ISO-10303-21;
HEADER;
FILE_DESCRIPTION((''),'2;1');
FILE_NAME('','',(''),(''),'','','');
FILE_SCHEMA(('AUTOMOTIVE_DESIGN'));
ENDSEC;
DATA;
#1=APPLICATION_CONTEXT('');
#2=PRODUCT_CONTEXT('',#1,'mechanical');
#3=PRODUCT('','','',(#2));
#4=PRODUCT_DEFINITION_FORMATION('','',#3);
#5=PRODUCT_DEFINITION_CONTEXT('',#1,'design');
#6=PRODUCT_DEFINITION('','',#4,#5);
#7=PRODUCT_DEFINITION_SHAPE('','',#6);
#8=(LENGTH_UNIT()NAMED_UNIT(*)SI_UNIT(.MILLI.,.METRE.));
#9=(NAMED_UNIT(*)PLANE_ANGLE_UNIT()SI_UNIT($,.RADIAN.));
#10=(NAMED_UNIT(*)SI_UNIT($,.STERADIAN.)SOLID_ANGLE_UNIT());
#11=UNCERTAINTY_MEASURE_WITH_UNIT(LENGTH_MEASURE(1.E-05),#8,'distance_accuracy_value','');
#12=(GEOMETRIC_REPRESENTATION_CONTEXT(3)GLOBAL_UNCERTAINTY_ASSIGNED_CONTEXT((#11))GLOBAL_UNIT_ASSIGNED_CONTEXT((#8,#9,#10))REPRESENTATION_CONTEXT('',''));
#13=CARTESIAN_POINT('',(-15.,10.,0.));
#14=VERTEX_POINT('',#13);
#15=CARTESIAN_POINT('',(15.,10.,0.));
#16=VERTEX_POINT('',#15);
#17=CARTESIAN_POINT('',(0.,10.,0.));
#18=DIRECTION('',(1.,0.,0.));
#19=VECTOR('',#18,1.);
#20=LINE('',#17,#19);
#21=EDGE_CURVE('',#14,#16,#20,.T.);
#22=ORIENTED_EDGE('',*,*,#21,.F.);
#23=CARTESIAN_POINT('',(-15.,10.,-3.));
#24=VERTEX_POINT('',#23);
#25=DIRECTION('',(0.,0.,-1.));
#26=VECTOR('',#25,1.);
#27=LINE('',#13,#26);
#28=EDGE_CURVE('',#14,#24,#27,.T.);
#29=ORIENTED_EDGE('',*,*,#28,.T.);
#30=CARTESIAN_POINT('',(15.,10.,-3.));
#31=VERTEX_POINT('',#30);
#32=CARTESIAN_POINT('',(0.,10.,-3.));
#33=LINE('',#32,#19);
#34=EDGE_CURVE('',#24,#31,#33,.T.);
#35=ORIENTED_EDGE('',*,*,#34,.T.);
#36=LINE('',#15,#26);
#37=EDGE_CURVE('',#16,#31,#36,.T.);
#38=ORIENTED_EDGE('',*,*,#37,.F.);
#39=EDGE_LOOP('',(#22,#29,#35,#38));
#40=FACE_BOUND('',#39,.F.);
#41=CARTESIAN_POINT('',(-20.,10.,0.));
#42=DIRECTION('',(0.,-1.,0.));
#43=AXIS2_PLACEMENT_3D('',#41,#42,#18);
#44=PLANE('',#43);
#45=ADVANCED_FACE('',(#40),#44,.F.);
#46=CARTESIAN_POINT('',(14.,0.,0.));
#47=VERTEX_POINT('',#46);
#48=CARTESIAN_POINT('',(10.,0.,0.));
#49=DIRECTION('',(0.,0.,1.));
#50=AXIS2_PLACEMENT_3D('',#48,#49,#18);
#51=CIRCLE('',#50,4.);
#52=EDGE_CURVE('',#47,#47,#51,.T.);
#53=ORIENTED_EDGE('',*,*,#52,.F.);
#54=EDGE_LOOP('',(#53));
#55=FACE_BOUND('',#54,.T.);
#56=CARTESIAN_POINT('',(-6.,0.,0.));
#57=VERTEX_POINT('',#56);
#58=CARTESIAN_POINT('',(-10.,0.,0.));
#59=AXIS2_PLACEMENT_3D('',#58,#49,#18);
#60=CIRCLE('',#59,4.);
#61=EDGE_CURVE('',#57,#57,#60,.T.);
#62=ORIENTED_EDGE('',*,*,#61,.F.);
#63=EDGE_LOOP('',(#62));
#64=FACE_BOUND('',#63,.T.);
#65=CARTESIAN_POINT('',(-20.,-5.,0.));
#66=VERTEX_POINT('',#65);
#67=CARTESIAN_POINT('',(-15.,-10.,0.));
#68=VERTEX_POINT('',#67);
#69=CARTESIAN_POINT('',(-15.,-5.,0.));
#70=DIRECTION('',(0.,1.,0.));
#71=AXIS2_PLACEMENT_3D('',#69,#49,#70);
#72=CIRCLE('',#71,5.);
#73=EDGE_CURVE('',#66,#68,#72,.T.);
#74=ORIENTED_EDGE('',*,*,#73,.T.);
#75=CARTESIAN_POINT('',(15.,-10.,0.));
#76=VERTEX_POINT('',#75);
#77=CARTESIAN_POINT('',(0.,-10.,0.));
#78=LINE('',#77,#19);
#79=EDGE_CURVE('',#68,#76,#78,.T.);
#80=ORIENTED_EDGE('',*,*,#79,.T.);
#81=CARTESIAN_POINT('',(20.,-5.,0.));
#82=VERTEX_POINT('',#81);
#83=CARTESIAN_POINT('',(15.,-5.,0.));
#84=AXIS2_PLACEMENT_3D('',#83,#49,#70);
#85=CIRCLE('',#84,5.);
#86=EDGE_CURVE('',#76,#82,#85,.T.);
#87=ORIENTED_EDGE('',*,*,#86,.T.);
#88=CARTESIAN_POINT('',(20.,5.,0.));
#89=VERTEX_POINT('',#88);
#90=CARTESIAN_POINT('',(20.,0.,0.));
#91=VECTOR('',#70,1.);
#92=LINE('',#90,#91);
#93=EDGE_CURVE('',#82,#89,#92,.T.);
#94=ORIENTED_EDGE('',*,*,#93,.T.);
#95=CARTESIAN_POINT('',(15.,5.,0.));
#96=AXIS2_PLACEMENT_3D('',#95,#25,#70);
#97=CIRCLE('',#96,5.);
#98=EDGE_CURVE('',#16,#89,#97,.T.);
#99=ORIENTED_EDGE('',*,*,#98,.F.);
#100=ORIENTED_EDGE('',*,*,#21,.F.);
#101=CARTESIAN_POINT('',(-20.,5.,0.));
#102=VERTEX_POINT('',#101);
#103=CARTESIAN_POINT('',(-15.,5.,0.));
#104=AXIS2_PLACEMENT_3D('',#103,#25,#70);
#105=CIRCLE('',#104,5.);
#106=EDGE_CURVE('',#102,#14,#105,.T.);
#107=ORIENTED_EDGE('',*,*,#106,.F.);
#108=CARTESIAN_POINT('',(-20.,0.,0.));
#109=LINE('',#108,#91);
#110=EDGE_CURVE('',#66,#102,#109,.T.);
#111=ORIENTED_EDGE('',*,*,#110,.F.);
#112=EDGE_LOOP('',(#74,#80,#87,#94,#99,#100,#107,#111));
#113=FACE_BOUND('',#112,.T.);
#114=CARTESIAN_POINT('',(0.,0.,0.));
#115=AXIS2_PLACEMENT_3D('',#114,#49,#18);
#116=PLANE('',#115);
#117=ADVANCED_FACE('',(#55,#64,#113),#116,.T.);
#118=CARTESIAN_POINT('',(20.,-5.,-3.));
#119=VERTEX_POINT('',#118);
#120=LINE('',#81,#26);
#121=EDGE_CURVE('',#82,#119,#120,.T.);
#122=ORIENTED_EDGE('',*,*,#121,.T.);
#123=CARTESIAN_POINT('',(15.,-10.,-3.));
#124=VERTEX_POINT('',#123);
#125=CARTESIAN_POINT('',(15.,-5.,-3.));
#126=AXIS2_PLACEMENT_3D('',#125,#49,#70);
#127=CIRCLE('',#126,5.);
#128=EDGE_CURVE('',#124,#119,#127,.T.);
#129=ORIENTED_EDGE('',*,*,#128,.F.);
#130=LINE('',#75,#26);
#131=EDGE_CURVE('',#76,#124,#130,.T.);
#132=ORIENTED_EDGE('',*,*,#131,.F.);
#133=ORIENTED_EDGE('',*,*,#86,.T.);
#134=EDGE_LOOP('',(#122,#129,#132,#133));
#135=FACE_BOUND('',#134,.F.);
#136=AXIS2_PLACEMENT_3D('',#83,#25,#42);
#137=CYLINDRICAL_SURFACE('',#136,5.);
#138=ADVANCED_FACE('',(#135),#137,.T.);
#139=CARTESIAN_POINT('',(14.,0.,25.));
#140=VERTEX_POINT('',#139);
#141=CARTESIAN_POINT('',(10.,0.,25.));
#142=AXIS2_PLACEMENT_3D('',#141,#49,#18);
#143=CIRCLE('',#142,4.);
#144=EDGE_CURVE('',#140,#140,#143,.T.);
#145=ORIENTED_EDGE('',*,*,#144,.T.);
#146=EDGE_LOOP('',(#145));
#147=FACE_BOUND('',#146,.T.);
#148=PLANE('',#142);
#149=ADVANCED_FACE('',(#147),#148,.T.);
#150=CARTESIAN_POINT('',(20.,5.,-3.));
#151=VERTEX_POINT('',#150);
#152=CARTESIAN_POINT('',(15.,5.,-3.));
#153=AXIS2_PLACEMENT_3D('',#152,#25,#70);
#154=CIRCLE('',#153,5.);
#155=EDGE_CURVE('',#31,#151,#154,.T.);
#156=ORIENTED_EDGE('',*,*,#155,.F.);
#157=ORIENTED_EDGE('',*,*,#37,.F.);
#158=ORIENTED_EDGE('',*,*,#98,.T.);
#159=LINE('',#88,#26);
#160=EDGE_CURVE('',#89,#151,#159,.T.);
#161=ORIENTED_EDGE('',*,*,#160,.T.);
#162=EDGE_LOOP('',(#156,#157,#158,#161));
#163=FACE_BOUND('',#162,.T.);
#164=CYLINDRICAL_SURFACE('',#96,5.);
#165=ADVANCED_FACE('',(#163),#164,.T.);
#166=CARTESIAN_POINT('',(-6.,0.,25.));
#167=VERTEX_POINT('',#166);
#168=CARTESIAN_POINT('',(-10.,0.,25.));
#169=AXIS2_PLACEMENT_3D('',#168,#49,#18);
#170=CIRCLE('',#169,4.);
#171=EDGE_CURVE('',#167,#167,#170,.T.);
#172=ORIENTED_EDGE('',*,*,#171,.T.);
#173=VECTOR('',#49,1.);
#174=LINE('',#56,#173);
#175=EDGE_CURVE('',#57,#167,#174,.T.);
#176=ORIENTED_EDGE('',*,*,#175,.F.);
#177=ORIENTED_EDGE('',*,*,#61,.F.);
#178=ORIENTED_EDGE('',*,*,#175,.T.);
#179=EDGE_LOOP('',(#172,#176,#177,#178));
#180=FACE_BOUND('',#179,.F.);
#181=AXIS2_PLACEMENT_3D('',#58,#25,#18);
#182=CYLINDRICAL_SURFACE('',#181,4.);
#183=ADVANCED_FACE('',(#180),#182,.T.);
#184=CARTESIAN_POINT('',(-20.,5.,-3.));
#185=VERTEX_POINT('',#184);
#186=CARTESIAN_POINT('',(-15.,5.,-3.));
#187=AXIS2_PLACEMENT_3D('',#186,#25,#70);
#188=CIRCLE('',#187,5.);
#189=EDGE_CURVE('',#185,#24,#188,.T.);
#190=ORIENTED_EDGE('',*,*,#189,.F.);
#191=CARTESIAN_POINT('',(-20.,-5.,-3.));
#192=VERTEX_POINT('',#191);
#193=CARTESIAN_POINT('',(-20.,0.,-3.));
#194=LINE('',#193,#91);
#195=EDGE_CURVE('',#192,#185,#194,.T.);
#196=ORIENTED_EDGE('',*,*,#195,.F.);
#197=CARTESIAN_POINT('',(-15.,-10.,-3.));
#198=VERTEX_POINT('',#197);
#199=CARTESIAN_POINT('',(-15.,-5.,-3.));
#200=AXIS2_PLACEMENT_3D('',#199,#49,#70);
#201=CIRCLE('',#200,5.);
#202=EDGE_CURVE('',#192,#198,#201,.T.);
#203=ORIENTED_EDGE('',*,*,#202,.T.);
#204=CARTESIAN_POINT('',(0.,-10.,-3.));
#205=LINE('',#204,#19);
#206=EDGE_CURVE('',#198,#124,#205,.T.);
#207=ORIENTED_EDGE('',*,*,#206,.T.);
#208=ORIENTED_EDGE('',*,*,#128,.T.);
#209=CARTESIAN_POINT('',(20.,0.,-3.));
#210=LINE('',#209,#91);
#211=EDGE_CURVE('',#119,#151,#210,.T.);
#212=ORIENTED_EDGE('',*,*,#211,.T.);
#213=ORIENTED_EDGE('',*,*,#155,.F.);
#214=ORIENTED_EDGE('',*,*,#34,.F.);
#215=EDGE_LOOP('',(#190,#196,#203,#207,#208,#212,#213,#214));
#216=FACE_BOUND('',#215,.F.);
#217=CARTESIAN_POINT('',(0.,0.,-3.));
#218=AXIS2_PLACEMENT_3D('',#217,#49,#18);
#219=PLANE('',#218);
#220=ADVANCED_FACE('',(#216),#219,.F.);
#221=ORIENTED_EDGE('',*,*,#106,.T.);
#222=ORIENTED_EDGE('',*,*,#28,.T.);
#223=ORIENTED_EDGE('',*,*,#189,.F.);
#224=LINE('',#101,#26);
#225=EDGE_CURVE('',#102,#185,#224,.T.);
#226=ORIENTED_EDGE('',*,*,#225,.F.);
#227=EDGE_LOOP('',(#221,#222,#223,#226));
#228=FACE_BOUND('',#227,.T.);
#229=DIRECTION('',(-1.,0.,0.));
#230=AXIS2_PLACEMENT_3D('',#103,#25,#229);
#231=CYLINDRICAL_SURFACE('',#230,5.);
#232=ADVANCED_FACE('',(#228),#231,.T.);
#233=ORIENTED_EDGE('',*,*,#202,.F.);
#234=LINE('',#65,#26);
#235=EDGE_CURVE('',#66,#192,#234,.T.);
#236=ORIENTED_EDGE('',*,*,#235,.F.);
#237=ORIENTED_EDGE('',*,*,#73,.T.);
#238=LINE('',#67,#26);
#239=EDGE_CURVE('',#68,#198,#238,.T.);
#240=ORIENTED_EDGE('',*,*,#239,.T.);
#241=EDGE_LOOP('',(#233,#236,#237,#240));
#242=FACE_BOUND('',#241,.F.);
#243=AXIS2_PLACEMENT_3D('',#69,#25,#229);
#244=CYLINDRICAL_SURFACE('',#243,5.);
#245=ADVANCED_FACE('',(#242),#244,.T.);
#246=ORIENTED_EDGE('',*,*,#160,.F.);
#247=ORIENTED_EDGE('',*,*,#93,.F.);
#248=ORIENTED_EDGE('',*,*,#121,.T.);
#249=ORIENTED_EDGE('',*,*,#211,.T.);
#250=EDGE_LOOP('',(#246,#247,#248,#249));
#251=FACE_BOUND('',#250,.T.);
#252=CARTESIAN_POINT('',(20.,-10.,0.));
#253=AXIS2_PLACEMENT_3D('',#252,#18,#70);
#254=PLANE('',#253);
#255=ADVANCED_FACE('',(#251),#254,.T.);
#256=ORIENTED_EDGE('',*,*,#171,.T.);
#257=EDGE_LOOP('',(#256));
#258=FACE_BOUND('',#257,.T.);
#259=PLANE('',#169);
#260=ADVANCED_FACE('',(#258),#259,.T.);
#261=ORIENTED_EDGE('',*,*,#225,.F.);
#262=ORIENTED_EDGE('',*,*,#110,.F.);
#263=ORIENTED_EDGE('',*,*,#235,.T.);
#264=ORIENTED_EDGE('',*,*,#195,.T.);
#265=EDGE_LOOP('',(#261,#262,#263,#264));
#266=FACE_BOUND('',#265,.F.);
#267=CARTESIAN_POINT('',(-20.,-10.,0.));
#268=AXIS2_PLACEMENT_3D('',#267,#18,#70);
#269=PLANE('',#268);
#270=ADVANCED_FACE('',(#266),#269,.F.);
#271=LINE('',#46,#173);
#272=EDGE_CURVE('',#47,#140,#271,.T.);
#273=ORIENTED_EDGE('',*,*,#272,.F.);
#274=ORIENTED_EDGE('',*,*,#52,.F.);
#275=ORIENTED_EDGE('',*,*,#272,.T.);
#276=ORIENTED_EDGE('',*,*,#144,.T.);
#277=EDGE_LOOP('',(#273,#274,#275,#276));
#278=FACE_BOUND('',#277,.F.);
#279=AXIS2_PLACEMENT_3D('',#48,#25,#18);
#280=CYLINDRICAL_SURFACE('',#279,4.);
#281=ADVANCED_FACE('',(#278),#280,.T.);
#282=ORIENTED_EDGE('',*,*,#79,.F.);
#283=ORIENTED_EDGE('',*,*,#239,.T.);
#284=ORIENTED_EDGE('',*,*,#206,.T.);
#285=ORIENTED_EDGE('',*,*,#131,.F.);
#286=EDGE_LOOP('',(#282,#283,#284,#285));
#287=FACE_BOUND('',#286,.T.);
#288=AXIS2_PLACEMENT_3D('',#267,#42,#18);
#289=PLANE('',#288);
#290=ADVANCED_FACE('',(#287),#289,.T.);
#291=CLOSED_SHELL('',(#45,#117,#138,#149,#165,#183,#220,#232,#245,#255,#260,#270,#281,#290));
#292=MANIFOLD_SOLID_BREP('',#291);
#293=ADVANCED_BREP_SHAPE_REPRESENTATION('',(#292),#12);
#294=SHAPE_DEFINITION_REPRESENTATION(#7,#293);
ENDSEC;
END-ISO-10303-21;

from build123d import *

# Parameters (mm, degrees)
F0_W     = 40
F0_H     = 20
F0_R     = 4
F1_DEPTH = 3
F2_R     = 4
F3_DEPTH = 25
F4_R     = 5


with BuildPart() as f1:
    # F0 (on Top) → F1 (new body)
    with BuildSketch(Plane.XY):
        Rectangle(F0_W, F0_H)
        with Locations((-10, 0)):
            Circle(F0_R, mode=Mode.SUBTRACT)
        with Locations((10, 0)):
            Circle(F0_R, mode=Mode.SUBTRACT)
        with Locations((-10, 0)):
            Circle(F0_R)
        with Locations((10, 0)):
            Circle(F0_R)
    extrude(amount=-F1_DEPTH)

    # F2 (on face) → F3 (join)
    with BuildSketch(Plane.XY):
        with Locations((-10, 0)):
            Circle(F2_R)
        with Locations((10, 0)):
            Circle(F2_R)
    extrude(amount=F3_DEPTH)

    # F4
    f4_edges = [f1.edges().sort_by_distance(p)[0] for p in [
        (-20, -10, -1.5),
        (-20, 10, -1.5),
        (20, 10, -1.5),
        (20, -10, -1.5),
    ]]
    fillet(f4_edges, radius=F4_R)


solid = f1.part
